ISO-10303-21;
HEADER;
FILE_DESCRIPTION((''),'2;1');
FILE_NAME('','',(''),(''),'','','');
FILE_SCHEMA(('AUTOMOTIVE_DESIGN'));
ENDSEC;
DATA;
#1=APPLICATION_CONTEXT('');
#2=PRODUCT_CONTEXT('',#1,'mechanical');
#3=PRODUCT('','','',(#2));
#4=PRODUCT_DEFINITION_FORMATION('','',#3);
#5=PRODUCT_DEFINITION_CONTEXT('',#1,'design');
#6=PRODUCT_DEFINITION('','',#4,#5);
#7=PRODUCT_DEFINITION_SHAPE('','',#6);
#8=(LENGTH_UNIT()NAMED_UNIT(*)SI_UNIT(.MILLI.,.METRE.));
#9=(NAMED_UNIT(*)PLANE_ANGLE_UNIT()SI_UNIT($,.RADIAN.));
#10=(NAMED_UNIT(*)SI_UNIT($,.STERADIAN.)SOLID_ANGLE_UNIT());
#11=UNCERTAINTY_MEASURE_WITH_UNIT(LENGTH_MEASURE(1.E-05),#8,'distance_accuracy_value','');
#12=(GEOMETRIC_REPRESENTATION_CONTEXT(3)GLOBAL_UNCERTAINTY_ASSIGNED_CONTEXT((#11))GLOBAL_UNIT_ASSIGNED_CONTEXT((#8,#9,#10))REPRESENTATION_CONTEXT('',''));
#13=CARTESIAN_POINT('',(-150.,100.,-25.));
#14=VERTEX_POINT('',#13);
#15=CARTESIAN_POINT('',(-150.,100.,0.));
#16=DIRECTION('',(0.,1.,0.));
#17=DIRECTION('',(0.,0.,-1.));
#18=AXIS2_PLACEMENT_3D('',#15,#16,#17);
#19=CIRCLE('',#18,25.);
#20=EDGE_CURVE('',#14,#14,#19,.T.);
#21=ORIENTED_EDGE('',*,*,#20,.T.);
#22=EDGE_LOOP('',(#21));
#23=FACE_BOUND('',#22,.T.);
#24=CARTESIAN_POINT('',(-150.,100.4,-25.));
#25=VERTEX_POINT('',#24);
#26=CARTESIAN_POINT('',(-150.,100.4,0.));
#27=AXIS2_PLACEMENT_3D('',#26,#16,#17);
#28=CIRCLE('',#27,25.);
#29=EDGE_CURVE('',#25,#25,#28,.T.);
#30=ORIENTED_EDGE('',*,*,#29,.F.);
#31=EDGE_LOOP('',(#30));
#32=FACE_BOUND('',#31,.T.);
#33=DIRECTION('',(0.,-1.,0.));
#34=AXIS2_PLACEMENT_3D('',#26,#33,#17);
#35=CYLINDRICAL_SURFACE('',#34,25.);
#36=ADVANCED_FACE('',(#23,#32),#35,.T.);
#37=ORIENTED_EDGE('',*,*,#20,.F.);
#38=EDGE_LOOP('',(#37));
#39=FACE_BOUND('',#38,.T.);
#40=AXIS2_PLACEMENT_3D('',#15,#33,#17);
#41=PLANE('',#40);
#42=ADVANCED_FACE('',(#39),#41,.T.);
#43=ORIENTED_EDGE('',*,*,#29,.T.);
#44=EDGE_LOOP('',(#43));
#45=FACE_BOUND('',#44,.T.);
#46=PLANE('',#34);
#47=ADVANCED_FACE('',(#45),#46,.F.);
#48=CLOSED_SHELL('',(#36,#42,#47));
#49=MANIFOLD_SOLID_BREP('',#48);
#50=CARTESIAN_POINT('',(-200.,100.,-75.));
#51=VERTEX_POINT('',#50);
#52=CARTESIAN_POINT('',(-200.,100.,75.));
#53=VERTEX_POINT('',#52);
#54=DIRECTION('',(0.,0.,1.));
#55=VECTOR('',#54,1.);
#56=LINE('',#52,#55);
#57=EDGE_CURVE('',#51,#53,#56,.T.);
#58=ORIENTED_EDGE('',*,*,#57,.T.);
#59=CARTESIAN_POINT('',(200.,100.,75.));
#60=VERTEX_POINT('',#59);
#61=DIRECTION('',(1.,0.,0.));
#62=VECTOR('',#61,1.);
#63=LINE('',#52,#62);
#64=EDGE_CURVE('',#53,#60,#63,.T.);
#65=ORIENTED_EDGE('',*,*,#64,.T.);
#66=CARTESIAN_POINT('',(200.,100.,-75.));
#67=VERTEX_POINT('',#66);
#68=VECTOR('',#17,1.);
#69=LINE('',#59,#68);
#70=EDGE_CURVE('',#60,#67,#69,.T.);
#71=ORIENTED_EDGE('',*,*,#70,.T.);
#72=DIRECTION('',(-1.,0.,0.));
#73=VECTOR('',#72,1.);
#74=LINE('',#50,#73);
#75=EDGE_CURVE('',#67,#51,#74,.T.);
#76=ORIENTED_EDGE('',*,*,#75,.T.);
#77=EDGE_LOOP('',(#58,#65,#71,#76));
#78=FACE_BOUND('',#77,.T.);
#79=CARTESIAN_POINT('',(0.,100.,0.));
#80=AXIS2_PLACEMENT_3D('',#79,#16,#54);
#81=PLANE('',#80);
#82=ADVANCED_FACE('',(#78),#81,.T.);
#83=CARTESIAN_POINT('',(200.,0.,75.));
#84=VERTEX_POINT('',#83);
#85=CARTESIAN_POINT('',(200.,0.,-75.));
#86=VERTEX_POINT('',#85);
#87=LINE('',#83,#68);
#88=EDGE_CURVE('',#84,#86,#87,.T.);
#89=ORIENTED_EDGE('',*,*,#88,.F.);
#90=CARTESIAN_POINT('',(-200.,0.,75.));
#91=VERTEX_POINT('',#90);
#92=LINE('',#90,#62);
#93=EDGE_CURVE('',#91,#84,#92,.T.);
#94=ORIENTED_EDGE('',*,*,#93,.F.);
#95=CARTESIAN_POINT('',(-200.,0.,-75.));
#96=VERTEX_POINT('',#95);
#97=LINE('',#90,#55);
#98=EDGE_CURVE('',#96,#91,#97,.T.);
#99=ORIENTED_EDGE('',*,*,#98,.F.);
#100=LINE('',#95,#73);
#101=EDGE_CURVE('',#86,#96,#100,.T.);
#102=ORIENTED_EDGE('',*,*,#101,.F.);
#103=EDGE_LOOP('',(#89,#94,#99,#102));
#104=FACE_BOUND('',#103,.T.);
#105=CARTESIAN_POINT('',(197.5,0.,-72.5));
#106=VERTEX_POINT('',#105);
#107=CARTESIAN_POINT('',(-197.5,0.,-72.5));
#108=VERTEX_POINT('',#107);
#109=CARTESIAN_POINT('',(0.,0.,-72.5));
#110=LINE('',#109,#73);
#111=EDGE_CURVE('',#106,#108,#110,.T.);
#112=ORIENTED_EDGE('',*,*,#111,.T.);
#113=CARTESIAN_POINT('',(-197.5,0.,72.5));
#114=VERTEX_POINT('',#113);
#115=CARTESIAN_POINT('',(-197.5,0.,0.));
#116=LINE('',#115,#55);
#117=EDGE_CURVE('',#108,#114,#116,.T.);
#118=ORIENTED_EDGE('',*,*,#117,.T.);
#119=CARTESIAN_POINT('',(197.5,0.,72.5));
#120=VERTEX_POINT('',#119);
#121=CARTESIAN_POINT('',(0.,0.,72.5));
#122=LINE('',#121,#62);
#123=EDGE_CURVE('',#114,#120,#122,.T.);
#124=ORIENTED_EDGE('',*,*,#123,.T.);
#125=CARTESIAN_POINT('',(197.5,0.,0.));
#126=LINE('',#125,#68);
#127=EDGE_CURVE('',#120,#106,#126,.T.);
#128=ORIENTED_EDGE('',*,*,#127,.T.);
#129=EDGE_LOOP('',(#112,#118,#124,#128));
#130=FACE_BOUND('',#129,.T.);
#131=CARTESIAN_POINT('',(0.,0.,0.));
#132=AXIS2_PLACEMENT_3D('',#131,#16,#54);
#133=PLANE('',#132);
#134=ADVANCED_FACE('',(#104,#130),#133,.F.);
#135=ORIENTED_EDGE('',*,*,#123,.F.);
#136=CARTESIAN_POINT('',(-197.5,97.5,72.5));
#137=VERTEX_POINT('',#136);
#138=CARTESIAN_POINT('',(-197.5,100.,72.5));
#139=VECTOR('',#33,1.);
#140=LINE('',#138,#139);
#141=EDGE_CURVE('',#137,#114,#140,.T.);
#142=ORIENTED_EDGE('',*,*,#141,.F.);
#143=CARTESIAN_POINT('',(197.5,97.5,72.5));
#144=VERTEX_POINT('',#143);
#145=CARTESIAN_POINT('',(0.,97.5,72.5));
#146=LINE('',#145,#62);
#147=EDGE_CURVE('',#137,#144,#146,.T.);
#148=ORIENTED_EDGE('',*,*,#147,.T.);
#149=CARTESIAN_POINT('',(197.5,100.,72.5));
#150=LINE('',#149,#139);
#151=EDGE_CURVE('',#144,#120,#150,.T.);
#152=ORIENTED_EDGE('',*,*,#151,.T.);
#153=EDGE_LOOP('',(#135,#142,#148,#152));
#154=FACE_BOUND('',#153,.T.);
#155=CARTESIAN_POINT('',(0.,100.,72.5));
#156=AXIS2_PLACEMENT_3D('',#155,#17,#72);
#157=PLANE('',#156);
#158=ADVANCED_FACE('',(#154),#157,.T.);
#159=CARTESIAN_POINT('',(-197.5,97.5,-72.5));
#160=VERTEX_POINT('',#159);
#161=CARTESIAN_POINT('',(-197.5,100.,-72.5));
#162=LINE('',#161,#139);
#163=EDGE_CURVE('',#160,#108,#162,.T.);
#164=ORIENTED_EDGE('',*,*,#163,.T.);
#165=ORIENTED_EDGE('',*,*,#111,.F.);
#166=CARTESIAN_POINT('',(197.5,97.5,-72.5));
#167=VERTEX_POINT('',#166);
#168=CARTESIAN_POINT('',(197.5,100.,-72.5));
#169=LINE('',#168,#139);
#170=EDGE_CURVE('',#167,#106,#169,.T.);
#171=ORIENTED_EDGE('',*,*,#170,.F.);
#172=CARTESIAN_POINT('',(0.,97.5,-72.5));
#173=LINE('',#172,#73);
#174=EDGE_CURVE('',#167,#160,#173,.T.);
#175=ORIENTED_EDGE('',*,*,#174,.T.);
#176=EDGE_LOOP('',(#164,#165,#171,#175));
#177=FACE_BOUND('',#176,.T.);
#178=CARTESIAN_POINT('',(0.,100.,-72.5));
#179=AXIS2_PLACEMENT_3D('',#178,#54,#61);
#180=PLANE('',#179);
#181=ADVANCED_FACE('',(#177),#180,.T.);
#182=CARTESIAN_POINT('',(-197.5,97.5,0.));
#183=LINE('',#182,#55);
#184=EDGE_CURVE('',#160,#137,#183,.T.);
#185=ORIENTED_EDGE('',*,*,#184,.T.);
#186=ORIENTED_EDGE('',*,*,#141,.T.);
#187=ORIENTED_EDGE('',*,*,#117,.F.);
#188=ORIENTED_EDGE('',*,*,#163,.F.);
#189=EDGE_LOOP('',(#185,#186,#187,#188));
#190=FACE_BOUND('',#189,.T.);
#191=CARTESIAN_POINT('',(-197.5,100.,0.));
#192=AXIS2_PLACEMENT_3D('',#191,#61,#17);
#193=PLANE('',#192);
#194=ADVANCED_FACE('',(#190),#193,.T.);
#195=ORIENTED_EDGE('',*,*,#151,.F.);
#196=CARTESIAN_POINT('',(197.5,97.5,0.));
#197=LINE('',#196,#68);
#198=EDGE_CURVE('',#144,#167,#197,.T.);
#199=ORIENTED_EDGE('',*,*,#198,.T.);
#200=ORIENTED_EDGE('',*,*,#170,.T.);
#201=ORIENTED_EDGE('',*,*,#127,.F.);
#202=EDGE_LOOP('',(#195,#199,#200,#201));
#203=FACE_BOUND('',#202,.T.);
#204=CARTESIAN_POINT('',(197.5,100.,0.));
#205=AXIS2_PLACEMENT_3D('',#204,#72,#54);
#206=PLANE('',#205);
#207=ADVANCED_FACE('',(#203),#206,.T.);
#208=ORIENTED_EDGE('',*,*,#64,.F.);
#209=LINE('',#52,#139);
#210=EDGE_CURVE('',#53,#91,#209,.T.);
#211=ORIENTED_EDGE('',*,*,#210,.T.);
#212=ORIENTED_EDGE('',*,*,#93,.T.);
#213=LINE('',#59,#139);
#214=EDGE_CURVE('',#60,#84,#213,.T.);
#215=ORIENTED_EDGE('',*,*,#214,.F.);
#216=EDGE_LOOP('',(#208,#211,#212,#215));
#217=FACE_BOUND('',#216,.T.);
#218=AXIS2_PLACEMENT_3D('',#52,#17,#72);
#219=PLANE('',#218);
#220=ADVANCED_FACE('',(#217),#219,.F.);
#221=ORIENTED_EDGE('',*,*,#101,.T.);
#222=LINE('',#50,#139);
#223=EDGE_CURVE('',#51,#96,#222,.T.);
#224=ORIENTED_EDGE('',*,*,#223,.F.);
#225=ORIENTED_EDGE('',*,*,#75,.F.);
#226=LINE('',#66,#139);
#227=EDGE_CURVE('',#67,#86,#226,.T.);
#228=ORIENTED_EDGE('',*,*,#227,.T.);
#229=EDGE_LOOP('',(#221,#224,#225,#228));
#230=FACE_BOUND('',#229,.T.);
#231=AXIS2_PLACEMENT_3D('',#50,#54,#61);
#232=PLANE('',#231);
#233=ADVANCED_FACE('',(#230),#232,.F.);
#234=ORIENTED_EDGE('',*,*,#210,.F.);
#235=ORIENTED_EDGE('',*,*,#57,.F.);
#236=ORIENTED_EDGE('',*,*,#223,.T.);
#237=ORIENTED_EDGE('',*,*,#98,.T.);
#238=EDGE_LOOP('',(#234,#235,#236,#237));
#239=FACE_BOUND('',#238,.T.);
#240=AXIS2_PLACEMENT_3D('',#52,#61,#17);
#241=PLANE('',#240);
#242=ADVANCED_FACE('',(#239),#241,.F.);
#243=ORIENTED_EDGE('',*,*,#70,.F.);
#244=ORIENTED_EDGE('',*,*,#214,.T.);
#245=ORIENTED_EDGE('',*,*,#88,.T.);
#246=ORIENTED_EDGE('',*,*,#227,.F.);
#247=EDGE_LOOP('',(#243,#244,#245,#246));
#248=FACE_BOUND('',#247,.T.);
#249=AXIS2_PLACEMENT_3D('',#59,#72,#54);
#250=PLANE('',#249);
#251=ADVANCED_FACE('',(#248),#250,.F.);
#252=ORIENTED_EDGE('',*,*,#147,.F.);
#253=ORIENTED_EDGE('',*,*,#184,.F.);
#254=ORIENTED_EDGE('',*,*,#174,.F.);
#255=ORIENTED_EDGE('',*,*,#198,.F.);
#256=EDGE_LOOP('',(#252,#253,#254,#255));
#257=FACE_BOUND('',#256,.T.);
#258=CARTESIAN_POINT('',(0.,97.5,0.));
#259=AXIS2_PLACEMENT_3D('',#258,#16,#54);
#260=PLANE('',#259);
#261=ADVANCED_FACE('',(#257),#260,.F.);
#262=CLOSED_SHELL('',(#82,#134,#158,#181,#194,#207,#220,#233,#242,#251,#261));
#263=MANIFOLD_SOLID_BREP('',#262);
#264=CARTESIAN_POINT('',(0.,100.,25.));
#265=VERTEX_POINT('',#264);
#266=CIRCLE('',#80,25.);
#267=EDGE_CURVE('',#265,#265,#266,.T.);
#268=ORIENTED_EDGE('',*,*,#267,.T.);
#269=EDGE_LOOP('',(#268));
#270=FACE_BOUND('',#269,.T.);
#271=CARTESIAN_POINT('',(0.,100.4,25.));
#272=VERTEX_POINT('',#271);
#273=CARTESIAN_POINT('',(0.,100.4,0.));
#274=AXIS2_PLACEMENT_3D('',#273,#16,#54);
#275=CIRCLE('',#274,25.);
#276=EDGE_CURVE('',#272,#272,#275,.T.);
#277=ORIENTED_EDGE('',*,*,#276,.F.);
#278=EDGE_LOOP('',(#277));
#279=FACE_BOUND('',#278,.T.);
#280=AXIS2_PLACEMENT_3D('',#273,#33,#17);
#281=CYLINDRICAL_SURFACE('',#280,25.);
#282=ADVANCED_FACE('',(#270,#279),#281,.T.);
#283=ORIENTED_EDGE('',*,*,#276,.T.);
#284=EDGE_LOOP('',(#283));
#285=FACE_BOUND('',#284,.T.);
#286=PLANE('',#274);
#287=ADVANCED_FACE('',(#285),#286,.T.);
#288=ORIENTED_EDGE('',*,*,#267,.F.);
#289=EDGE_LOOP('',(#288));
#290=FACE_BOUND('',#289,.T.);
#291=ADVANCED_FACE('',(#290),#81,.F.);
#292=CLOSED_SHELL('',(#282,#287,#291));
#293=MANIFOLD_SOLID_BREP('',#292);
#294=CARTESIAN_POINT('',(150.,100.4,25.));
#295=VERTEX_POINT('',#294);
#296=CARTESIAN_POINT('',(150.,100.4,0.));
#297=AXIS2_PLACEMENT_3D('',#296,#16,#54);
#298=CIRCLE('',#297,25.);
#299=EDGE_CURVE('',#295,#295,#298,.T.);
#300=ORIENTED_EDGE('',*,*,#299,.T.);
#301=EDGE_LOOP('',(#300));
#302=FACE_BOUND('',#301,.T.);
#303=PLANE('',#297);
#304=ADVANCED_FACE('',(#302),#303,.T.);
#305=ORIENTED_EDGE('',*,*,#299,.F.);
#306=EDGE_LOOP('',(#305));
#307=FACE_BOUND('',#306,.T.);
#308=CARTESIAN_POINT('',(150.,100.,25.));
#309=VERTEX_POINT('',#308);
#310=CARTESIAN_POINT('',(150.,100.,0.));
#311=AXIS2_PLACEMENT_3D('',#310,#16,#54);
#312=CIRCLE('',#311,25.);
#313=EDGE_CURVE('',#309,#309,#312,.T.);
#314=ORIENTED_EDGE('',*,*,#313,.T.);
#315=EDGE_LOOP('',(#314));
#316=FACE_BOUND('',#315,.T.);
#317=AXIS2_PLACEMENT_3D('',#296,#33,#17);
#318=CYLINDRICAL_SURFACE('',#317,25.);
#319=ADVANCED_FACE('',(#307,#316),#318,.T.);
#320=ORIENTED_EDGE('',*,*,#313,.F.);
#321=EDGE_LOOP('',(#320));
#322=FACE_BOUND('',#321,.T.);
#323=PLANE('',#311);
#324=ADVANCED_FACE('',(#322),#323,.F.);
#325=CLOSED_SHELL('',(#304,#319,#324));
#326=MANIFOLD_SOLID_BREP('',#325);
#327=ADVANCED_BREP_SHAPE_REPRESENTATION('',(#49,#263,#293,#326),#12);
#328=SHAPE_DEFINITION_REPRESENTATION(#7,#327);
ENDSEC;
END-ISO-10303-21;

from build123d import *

# Parameters (mm, degrees)
SKETCH_1_W        = 400
SKETCH_1_H        = 150
SKETCH_1_W_2      = 395
SKETCH_1_H_2      = 145
EXTRUDE_1_DEPTH   = 100
SKETCH_2_W        = 400
SKETCH_2_H        = 150
EXTRUDE_1_2_DEPTH = 2.5
SKETCH_3_R        = 25
EXTRUDE_2_DEPTH   = 0.4
EXTRUDE_2_2_DEPTH = 0.4
EXTRUDE_2_3_DEPTH = 0.4


with BuildPart() as part:
    # 草图1 → Extrude 1 (new body)
    with BuildSketch(Plane(origin=(0, 0, 0), x_dir=(1, 0, 0), z_dir=(0, 1, 0))):
        Rectangle(SKETCH_1_W, SKETCH_1_H)
        Rectangle(SKETCH_1_W_2, SKETCH_1_H_2, mode=Mode.SUBTRACT)
    extrude(amount=EXTRUDE_1_DEPTH)

    # 草图2 → Extrude 1 2 (add)
    with BuildSketch(Plane(origin=(0, 100, 0), x_dir=(1, 0, 0), z_dir=(0, 1, 0))):
        Rectangle(SKETCH_2_W, SKETCH_2_H)
    extrude(amount=-EXTRUDE_1_2_DEPTH)


with BuildPart() as body_2:
    # 草图3 → 凸台-拉伸2 (new body)
    with BuildSketch(Plane(origin=(0, 100, 0), x_dir=(1, 0, 0), z_dir=(0, 1, 0))):
        with Locations(Location((0, 0, 0), (0, 0, 270))):
            Circle(SKETCH_3_R)
    extrude(amount=EXTRUDE_2_DEPTH)


with BuildPart() as body_3:
    # 草图3 → Extrude 2 2 (new body)
    with BuildSketch(Plane(origin=(0, 100, 0), x_dir=(1, 0, 0), z_dir=(0, 1, 0))):
        with Locations(Location((150, 0, 0), (0, 0, 270))):
            Circle(SKETCH_3_R)
    extrude(amount=EXTRUDE_2_2_DEPTH)


with BuildPart() as body_4:
    # 草图3 → Extrude 2 3 (new body)
    with BuildSketch(Plane(origin=(0, 100, 0), x_dir=(1, 0, 0), z_dir=(0, 1, 0))):
        with Locations(Location((-150, 0, 0), (0, 0, 90))):
            Circle(SKETCH_3_R)
    extrude(amount=EXTRUDE_2_3_DEPTH)


solid = Compound([part.part, body_2.part, body_3.part, body_4.part])
